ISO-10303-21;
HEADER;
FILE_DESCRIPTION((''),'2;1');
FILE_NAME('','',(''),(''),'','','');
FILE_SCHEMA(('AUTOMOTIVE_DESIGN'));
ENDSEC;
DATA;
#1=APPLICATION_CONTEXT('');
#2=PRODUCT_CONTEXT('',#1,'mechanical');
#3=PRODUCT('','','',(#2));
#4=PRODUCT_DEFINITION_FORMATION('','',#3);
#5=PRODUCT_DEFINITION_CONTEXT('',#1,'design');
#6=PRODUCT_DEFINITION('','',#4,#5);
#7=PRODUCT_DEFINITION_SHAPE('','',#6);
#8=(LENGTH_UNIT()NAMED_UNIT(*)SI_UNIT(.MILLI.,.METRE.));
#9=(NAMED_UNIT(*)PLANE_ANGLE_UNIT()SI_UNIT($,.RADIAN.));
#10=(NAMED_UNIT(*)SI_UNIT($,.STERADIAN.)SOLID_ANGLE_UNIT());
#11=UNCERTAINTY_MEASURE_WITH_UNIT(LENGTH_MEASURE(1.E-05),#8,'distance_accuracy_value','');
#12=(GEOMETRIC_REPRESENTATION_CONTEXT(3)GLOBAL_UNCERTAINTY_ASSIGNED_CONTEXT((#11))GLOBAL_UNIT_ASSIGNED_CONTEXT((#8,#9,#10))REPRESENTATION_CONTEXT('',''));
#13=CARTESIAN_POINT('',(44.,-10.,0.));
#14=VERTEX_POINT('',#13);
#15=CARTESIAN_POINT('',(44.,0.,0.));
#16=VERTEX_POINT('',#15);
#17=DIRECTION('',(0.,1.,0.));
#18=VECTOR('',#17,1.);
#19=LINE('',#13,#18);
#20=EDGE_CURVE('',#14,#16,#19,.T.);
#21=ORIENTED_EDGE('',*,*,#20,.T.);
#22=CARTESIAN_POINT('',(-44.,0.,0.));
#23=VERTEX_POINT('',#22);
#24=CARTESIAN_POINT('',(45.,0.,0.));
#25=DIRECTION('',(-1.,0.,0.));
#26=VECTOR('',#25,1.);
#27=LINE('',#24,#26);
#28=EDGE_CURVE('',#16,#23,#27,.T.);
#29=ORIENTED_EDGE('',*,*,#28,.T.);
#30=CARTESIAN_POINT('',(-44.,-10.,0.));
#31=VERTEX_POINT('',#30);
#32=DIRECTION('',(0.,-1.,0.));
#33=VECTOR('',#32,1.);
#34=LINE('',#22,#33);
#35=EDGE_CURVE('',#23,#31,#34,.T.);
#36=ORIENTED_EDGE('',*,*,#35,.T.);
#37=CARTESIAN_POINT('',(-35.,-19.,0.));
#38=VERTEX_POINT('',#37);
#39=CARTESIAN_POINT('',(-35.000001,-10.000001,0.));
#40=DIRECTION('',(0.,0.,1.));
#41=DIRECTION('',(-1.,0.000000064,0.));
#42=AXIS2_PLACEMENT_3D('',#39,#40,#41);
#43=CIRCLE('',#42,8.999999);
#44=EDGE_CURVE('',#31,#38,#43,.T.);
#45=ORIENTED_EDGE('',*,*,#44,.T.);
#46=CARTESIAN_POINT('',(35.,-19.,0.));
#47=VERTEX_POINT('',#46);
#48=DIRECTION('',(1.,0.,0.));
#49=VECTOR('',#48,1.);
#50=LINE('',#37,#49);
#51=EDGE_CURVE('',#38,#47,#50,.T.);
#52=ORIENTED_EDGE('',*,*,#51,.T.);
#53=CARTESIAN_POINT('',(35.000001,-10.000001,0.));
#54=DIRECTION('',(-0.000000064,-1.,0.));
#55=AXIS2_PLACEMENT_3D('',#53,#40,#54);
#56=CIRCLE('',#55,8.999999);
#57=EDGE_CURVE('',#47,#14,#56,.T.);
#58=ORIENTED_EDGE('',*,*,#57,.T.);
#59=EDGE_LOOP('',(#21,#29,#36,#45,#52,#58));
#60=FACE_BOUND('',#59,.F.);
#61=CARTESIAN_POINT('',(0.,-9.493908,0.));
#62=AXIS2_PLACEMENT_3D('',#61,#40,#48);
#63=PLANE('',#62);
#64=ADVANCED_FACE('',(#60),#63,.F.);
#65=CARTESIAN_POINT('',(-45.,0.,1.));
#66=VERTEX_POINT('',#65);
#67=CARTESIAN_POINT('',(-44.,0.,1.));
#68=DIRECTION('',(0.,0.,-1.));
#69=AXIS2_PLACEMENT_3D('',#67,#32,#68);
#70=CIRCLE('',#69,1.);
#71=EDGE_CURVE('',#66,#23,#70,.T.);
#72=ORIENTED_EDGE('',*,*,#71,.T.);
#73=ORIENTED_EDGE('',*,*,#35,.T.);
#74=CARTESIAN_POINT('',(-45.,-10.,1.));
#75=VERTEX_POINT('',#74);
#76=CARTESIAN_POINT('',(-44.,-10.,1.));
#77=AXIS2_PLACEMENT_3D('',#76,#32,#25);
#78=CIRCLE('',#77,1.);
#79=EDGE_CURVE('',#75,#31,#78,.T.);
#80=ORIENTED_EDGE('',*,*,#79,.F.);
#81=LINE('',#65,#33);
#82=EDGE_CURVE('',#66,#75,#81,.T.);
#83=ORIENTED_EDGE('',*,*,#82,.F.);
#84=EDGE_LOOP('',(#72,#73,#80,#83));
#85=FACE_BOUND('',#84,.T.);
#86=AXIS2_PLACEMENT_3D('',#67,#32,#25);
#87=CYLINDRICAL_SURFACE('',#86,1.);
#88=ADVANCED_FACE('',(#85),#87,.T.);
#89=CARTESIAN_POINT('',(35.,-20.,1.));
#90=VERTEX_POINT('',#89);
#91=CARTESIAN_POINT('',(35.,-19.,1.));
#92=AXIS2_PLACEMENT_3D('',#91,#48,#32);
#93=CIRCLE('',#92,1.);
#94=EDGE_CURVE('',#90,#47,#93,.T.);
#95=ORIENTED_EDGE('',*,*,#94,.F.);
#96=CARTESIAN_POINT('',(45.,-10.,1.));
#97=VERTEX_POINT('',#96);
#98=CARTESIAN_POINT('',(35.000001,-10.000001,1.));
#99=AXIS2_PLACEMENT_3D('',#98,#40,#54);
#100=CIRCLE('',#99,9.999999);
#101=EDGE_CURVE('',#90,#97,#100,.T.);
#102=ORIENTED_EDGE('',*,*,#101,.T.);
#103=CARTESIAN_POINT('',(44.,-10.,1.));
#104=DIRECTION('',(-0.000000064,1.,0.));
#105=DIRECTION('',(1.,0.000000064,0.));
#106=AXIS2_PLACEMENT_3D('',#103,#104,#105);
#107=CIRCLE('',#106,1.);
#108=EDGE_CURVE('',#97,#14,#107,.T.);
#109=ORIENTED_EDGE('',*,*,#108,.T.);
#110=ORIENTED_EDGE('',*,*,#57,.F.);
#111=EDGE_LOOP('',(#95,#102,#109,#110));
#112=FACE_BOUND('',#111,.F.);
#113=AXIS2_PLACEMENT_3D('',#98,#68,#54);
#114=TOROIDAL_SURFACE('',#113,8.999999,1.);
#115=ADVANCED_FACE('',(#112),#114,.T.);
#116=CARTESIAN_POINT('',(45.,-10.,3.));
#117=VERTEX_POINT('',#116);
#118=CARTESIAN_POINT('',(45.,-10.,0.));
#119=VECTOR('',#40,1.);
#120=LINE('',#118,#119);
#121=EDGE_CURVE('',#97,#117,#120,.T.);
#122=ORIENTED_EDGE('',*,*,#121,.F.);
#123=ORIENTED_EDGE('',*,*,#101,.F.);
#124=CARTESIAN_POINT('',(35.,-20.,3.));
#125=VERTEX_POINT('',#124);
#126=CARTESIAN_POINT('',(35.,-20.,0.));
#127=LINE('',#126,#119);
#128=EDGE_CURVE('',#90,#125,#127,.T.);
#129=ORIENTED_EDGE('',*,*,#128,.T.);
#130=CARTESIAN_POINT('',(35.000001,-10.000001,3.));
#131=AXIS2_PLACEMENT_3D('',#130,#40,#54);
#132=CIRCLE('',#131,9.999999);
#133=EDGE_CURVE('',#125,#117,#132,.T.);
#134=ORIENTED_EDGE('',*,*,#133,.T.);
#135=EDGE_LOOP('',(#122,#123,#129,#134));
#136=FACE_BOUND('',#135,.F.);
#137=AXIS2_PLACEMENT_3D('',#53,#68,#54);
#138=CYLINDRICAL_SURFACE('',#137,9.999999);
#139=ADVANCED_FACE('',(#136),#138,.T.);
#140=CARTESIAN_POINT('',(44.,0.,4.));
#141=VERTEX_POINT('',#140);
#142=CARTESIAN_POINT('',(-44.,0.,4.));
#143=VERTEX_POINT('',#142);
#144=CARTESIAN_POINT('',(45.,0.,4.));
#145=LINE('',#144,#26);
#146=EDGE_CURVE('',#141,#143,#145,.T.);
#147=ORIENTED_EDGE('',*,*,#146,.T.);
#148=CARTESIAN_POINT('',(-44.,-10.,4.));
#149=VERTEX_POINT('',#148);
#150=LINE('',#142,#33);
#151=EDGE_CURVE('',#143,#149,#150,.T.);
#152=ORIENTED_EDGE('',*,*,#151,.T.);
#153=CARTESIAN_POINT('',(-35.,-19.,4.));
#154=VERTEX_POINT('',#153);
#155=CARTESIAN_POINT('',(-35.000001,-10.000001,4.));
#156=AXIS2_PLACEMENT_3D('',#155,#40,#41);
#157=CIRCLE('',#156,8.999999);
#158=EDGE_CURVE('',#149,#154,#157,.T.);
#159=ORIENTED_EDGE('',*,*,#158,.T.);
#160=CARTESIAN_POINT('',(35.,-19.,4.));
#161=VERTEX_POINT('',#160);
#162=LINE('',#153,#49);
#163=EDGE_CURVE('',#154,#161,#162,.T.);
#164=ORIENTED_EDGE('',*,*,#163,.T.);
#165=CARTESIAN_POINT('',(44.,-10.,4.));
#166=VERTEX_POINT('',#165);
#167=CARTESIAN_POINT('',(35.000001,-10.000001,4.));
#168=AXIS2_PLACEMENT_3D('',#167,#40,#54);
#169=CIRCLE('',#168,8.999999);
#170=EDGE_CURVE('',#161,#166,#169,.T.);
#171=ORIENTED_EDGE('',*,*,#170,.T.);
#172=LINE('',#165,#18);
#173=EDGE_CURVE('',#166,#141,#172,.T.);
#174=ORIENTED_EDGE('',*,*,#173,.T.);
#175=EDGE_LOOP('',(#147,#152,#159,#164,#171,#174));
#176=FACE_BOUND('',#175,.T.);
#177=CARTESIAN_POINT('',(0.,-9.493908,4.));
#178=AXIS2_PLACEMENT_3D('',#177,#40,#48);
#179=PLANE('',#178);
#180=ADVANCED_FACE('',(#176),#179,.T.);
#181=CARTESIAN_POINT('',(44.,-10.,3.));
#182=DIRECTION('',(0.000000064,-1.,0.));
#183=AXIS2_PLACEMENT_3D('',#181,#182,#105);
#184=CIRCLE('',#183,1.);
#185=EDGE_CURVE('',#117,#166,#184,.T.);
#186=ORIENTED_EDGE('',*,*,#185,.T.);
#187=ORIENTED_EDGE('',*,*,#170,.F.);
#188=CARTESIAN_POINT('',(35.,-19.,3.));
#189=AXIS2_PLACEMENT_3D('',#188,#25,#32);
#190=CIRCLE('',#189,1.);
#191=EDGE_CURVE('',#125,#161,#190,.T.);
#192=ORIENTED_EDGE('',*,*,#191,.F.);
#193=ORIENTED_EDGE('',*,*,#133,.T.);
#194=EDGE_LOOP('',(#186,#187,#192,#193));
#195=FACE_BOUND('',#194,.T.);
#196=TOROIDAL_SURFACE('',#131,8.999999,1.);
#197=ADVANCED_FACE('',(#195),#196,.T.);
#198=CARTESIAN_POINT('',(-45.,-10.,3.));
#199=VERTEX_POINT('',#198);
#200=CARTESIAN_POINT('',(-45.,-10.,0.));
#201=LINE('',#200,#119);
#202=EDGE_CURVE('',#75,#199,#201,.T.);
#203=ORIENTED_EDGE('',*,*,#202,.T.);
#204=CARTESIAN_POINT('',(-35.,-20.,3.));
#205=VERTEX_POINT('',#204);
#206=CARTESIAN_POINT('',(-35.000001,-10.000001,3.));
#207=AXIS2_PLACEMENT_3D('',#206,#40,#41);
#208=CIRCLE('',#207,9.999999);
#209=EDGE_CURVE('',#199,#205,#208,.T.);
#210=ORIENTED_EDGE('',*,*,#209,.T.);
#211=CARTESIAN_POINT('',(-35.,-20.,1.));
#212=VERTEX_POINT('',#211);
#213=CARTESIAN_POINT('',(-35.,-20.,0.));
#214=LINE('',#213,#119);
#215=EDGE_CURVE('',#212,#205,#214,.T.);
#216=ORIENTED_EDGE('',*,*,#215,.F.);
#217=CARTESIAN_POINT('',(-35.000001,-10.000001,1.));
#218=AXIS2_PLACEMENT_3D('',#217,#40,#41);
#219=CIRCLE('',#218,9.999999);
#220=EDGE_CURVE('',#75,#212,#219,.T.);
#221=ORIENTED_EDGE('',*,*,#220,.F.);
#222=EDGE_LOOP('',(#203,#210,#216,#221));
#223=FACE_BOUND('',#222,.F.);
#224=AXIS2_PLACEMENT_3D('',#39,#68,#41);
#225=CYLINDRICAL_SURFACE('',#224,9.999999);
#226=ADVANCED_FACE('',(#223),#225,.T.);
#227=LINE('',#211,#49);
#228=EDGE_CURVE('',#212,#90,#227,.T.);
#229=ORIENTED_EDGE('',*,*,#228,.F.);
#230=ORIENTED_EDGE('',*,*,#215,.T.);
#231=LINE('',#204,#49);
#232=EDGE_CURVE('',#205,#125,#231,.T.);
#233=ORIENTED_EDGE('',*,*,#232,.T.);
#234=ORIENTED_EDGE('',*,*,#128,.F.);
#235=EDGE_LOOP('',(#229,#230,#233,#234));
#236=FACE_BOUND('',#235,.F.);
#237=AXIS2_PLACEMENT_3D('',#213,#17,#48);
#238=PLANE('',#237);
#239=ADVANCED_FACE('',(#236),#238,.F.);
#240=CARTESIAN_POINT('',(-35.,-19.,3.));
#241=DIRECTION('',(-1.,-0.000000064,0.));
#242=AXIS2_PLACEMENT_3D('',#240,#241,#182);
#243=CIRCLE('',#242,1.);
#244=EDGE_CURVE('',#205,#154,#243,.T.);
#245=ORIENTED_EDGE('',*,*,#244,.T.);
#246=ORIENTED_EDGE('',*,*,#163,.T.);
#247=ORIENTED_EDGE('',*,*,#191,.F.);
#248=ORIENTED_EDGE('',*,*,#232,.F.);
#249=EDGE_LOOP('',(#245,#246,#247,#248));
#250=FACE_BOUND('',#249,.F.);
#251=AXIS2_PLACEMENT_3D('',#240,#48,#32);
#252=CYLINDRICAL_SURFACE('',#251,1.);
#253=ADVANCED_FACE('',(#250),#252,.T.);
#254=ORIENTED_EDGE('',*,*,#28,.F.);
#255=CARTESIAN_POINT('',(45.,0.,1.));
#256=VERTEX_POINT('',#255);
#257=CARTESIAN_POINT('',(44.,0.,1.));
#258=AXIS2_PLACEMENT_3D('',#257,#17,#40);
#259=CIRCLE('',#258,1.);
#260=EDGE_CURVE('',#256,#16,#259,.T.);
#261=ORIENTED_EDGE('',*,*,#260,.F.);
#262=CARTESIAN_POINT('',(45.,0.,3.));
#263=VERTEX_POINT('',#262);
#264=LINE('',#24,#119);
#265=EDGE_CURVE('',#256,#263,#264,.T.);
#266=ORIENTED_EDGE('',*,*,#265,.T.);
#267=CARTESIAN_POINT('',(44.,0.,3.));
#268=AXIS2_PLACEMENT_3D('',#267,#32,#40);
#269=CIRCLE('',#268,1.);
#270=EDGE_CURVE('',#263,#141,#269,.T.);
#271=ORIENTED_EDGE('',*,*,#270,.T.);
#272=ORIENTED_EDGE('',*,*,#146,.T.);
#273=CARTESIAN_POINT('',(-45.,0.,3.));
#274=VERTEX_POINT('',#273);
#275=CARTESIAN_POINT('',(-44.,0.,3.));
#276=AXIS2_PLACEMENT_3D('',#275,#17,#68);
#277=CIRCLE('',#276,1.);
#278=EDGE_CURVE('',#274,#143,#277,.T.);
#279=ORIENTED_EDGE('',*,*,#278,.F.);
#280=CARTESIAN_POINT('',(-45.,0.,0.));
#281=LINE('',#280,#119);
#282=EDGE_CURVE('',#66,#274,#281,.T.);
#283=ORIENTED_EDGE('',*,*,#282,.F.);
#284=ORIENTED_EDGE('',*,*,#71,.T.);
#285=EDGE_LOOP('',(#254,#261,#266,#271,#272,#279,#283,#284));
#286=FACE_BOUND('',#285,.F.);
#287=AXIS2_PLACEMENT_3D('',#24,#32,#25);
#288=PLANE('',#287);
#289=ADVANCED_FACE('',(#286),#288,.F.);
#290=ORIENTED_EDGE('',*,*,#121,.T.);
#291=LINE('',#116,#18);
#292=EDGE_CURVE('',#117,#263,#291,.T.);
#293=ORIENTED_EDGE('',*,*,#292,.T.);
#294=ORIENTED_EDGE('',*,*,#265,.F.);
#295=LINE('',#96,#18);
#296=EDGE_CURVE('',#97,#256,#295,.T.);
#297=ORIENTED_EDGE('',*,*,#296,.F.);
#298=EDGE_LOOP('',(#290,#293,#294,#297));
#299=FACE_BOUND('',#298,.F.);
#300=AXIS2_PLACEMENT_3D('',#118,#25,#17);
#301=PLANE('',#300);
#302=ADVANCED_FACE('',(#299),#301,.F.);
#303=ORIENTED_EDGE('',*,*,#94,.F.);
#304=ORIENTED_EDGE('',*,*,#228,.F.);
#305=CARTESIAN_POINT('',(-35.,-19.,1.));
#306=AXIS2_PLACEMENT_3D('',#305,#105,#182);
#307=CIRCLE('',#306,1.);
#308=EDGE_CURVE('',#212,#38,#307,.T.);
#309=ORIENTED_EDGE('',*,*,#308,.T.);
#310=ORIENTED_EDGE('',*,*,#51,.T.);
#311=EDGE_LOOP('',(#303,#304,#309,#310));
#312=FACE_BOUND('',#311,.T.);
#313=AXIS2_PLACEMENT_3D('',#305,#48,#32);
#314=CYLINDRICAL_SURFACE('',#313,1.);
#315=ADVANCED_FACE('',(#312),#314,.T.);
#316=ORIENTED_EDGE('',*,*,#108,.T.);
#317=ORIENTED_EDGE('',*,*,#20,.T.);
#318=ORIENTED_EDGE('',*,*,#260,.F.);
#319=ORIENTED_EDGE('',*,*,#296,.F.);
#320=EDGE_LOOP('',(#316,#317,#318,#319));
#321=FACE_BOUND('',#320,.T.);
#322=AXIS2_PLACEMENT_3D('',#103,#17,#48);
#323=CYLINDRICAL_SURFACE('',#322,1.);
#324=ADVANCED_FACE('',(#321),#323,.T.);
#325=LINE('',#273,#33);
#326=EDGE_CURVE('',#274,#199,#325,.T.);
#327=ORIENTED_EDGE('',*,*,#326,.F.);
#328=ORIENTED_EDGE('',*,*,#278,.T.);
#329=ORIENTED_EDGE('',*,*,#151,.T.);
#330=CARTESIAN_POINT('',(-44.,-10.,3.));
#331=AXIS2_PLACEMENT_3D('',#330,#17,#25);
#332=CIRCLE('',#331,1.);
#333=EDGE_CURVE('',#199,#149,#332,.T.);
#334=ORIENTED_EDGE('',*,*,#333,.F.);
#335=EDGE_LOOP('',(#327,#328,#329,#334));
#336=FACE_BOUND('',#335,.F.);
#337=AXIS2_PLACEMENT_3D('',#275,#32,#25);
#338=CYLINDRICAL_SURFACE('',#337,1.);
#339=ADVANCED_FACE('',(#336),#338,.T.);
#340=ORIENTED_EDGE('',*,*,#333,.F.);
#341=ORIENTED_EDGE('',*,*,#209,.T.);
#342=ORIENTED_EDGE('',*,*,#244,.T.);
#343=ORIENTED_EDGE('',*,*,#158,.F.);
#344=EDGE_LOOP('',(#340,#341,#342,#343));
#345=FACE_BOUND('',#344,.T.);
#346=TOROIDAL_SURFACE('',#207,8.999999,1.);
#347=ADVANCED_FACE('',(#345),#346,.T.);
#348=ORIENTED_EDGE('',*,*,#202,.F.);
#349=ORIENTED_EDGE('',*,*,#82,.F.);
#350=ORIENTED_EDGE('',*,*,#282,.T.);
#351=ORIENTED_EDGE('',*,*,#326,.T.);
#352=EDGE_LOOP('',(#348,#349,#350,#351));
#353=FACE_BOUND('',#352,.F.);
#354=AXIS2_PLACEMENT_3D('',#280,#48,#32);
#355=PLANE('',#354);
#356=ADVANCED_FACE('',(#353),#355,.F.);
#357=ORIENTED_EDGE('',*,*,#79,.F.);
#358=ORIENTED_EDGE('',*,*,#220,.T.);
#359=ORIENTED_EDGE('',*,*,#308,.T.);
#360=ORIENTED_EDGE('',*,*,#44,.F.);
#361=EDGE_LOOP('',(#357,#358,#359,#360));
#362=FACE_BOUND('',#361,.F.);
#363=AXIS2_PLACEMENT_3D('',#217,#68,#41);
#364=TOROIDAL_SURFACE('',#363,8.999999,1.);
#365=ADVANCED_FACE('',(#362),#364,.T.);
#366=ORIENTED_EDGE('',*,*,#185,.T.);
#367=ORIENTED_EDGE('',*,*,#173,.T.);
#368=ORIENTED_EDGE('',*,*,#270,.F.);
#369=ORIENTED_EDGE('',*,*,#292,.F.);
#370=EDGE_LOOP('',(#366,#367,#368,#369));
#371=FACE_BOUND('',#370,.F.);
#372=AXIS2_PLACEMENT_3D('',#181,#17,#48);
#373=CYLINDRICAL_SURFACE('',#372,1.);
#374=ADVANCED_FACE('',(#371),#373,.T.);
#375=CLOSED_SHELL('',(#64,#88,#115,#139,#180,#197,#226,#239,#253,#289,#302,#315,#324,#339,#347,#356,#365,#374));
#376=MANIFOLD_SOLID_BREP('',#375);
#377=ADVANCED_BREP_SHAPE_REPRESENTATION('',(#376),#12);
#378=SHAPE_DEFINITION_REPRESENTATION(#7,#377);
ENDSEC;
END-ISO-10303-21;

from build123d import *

# Parameters (mm, degrees)
F1_DEPTH = 4
F2_R     = 1


with BuildPart() as f1:
    # F0 (on Top) → F1 (new body)
    with BuildSketch(Plane.XY):
        with BuildLine():
            Line((45, 0), (-45, 0))
            Line((-45, 0), (-45, -10))
            ThreePointArc((-45, -10), (-42.071068, -17.071068), (-35, -20))
            Line((-35, -20), (35, -20))
            ThreePointArc((35, -20), (42.071068, -17.071068), (45, -10))
            Line((45, -10), (45, 0))
        make_face()
    extrude(amount=F1_DEPTH)

    # F2
    f2_edges = [f1.edges().sort_by_distance(p)[0] for p in [
        (-45, -5, 4),
        (-42.071068, -17.071068, 0),
    ]]
    fillet(f2_edges, radius=F2_R)


solid = f1.part
